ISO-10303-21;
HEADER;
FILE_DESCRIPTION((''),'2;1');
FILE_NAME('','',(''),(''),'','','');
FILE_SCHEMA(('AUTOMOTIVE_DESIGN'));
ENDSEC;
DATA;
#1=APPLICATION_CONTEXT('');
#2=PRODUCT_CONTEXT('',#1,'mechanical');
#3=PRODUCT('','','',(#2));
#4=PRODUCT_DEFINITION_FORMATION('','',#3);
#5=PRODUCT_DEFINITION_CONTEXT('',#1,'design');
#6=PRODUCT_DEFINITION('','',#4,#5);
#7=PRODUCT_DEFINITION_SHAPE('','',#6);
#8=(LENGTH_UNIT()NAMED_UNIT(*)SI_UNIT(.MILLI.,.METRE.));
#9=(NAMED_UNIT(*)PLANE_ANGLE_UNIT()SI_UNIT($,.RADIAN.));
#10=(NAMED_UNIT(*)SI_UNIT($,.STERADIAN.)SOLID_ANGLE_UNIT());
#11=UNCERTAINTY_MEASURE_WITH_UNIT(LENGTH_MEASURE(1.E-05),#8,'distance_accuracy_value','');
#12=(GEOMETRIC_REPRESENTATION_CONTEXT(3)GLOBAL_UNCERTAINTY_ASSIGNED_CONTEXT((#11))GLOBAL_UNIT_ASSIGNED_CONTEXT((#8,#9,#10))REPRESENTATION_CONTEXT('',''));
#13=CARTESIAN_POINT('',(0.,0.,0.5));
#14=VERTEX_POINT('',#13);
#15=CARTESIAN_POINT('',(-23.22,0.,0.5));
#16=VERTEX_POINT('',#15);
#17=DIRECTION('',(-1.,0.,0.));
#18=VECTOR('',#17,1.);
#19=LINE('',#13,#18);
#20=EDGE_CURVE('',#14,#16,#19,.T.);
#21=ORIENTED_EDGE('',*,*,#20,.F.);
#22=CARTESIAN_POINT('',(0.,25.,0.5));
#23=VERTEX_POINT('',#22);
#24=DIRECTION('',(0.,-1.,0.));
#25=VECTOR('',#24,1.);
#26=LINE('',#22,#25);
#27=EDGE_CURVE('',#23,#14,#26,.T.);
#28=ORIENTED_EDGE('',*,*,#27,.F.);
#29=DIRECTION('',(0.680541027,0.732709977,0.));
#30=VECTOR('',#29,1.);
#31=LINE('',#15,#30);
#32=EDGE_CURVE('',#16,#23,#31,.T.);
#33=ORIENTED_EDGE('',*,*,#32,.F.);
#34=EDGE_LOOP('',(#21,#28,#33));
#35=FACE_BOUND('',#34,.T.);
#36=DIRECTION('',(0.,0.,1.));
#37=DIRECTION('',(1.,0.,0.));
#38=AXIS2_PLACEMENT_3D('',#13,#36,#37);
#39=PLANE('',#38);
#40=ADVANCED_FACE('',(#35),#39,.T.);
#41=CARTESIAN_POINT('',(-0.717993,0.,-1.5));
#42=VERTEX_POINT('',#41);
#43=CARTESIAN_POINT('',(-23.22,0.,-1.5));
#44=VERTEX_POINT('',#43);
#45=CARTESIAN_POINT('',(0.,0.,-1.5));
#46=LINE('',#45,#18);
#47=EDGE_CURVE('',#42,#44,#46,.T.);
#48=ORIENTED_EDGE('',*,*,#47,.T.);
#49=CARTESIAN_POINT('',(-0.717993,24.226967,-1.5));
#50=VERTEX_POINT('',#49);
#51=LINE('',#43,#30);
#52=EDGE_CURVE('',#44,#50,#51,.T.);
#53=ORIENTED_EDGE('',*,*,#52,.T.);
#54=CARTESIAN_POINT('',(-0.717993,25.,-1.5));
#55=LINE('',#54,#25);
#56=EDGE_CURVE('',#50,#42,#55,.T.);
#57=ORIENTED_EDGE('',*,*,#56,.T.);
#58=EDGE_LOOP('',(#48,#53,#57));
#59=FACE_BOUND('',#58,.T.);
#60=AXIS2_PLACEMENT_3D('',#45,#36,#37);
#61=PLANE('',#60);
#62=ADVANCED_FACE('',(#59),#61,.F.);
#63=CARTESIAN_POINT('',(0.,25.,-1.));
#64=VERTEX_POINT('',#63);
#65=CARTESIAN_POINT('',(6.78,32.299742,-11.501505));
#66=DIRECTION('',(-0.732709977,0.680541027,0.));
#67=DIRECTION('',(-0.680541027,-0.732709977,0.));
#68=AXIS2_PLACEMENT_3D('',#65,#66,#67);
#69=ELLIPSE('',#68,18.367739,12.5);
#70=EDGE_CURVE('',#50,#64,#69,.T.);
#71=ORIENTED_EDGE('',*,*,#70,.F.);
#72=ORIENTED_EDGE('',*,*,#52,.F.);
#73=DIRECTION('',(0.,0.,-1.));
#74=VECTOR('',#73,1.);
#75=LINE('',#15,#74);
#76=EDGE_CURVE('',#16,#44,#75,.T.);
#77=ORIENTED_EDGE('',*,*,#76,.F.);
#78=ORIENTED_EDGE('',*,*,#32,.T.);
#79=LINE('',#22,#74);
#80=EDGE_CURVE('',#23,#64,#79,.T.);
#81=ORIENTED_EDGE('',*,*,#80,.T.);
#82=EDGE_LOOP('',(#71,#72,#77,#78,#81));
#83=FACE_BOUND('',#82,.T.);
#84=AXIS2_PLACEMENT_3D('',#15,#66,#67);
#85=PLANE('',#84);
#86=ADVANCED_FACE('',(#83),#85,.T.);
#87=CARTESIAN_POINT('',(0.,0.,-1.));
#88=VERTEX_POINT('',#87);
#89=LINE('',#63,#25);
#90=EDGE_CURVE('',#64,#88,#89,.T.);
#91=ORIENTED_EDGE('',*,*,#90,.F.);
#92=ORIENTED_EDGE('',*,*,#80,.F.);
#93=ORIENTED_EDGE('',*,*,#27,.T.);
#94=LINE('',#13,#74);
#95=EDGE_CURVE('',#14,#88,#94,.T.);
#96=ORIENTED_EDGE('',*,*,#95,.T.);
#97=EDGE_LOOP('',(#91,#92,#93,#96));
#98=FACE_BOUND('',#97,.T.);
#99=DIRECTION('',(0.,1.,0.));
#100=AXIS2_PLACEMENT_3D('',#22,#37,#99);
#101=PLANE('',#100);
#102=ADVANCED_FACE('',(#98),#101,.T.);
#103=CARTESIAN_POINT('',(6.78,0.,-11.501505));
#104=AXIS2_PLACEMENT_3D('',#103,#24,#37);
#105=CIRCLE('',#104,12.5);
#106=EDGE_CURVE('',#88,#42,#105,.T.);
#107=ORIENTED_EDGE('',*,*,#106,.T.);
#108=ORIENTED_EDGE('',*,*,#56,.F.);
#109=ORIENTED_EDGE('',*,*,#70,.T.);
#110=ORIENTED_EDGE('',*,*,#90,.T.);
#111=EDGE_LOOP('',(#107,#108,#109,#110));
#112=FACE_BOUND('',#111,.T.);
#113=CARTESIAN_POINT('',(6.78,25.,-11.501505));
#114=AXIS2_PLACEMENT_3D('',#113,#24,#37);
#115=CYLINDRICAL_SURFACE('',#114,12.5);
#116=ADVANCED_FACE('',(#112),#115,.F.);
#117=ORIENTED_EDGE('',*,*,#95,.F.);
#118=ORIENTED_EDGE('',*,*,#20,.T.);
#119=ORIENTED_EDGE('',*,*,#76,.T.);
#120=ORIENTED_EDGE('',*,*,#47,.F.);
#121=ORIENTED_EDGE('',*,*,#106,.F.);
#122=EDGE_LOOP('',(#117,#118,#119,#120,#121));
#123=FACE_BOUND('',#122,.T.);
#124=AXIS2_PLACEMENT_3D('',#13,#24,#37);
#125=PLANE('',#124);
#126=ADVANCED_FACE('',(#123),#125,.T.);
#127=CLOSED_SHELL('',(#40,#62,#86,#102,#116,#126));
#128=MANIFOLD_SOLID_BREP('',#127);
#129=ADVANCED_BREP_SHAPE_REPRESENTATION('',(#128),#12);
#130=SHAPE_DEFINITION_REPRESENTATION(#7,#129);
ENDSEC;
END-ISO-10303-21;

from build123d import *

# Parameters (mm, degrees)
DODANIE_WYCI_GNI_CIE1_DEPTH = 2
SZKIC2_R                    = 12.5
WYTNIJ_WYCI_GNI_CIE1_DEPTH  = 25


with BuildPart() as part:
    # Szkic1 → Dodanie-wyciągnięcie1 (new body)
    with BuildSketch(Plane(origin=(0, 0, -1.5), x_dir=(-1, 0, 0), z_dir=(0, 0, -1))):
        Polygon((23.22, 0), (0, 25), (0, 0), align=None)
    extrude(amount=-DODANIE_WYCI_GNI_CIE1_DEPTH)

    # Szkic2 → Wytnij-wyciągnięcie1 (cut)
    with BuildSketch(Plane(origin=(0, 0, 0), x_dir=(-1, 0, 0), z_dir=(0, -1, 0))):
        with Locations((-6.78, 11.501504654)):
            Circle(SZKIC2_R)
    extrude(amount=-WYTNIJ_WYCI_GNI_CIE1_DEPTH, mode=Mode.SUBTRACT)


solid = part.part
